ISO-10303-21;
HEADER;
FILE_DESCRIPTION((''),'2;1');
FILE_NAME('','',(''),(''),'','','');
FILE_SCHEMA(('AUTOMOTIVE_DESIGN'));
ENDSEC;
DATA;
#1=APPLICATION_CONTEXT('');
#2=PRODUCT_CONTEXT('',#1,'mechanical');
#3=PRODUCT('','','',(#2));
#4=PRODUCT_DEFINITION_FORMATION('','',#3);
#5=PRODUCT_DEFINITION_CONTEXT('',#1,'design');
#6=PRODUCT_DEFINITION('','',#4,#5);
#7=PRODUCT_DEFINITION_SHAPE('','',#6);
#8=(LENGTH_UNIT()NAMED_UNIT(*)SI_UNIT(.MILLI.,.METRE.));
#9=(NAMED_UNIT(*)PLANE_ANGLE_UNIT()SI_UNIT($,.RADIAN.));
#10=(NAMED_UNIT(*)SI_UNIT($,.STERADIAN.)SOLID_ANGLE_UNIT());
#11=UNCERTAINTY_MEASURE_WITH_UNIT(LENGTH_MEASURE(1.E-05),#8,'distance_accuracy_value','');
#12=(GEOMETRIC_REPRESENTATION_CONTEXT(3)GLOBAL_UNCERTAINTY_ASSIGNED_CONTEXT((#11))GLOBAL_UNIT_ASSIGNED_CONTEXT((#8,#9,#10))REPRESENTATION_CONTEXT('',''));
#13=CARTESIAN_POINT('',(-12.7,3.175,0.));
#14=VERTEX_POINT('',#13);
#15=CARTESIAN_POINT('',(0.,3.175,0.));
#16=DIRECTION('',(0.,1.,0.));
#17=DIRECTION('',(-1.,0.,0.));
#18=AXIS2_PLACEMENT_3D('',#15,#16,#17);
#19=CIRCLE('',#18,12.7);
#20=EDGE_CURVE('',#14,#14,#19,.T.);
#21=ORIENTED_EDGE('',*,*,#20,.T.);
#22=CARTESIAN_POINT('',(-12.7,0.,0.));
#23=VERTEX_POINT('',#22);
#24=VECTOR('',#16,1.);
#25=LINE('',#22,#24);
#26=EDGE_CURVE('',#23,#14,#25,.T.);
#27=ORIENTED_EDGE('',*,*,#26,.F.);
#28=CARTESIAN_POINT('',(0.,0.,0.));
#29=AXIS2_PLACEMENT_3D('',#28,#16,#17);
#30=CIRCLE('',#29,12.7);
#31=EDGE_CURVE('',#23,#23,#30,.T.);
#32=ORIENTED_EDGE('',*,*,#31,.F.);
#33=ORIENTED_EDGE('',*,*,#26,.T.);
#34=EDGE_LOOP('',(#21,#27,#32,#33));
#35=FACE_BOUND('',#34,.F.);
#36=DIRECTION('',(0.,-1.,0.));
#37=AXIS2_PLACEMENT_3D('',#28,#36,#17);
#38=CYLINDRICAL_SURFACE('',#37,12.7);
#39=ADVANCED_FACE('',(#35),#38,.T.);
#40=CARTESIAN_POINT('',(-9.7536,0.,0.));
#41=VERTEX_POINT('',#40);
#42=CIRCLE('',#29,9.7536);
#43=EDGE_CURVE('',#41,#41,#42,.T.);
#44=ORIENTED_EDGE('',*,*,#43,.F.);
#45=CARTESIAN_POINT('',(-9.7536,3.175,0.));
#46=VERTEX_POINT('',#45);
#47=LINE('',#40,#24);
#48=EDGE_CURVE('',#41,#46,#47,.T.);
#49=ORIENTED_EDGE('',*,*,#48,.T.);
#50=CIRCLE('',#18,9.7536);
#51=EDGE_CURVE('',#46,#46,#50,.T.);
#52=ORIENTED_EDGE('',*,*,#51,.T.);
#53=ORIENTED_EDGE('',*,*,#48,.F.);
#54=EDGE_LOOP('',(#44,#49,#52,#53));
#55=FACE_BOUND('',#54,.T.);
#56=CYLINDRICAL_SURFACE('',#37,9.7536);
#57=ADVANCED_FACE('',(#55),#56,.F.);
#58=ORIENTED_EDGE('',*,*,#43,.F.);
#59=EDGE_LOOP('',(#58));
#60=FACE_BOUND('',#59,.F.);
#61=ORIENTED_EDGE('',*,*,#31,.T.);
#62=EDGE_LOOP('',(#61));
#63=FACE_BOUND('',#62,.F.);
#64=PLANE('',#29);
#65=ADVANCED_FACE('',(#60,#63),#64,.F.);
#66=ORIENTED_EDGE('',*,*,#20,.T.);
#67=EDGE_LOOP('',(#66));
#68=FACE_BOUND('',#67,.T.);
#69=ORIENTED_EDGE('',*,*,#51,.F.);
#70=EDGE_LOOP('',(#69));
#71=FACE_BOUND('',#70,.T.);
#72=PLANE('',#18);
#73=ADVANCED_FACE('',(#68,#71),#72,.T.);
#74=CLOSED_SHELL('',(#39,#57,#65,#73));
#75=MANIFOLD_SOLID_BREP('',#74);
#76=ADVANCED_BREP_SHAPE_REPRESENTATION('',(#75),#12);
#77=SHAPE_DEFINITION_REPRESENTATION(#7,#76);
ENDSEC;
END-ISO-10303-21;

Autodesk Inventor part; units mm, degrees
ref_plane "YZ Plane" through (0, 0, 0) normal (1, 0, 0) x (0, 1, 0)
ref_plane "XZ Plane" through (0, 0, 0) normal (0, 1, 0) x (-1, 0, 0)
ref_plane "XY Plane" through (0, 0, 0) normal (0, 0, 1) x (1, 0, 0)
sketch "Sketch1" plane through (0, 0, 0) normal (0, 1, 0) x (-1, 0, 0)
  circle A0 centre (0, 0) radius 9.7536
  circle A1 centre (0, 0) radius 12.7
  dimension "d0" = 19.5072
  dimension "d1" = 25.4
extrude "Extrusion1" add sketch "Sketch1" along normal blind 3.175
properties part number "Ring Spacer"
